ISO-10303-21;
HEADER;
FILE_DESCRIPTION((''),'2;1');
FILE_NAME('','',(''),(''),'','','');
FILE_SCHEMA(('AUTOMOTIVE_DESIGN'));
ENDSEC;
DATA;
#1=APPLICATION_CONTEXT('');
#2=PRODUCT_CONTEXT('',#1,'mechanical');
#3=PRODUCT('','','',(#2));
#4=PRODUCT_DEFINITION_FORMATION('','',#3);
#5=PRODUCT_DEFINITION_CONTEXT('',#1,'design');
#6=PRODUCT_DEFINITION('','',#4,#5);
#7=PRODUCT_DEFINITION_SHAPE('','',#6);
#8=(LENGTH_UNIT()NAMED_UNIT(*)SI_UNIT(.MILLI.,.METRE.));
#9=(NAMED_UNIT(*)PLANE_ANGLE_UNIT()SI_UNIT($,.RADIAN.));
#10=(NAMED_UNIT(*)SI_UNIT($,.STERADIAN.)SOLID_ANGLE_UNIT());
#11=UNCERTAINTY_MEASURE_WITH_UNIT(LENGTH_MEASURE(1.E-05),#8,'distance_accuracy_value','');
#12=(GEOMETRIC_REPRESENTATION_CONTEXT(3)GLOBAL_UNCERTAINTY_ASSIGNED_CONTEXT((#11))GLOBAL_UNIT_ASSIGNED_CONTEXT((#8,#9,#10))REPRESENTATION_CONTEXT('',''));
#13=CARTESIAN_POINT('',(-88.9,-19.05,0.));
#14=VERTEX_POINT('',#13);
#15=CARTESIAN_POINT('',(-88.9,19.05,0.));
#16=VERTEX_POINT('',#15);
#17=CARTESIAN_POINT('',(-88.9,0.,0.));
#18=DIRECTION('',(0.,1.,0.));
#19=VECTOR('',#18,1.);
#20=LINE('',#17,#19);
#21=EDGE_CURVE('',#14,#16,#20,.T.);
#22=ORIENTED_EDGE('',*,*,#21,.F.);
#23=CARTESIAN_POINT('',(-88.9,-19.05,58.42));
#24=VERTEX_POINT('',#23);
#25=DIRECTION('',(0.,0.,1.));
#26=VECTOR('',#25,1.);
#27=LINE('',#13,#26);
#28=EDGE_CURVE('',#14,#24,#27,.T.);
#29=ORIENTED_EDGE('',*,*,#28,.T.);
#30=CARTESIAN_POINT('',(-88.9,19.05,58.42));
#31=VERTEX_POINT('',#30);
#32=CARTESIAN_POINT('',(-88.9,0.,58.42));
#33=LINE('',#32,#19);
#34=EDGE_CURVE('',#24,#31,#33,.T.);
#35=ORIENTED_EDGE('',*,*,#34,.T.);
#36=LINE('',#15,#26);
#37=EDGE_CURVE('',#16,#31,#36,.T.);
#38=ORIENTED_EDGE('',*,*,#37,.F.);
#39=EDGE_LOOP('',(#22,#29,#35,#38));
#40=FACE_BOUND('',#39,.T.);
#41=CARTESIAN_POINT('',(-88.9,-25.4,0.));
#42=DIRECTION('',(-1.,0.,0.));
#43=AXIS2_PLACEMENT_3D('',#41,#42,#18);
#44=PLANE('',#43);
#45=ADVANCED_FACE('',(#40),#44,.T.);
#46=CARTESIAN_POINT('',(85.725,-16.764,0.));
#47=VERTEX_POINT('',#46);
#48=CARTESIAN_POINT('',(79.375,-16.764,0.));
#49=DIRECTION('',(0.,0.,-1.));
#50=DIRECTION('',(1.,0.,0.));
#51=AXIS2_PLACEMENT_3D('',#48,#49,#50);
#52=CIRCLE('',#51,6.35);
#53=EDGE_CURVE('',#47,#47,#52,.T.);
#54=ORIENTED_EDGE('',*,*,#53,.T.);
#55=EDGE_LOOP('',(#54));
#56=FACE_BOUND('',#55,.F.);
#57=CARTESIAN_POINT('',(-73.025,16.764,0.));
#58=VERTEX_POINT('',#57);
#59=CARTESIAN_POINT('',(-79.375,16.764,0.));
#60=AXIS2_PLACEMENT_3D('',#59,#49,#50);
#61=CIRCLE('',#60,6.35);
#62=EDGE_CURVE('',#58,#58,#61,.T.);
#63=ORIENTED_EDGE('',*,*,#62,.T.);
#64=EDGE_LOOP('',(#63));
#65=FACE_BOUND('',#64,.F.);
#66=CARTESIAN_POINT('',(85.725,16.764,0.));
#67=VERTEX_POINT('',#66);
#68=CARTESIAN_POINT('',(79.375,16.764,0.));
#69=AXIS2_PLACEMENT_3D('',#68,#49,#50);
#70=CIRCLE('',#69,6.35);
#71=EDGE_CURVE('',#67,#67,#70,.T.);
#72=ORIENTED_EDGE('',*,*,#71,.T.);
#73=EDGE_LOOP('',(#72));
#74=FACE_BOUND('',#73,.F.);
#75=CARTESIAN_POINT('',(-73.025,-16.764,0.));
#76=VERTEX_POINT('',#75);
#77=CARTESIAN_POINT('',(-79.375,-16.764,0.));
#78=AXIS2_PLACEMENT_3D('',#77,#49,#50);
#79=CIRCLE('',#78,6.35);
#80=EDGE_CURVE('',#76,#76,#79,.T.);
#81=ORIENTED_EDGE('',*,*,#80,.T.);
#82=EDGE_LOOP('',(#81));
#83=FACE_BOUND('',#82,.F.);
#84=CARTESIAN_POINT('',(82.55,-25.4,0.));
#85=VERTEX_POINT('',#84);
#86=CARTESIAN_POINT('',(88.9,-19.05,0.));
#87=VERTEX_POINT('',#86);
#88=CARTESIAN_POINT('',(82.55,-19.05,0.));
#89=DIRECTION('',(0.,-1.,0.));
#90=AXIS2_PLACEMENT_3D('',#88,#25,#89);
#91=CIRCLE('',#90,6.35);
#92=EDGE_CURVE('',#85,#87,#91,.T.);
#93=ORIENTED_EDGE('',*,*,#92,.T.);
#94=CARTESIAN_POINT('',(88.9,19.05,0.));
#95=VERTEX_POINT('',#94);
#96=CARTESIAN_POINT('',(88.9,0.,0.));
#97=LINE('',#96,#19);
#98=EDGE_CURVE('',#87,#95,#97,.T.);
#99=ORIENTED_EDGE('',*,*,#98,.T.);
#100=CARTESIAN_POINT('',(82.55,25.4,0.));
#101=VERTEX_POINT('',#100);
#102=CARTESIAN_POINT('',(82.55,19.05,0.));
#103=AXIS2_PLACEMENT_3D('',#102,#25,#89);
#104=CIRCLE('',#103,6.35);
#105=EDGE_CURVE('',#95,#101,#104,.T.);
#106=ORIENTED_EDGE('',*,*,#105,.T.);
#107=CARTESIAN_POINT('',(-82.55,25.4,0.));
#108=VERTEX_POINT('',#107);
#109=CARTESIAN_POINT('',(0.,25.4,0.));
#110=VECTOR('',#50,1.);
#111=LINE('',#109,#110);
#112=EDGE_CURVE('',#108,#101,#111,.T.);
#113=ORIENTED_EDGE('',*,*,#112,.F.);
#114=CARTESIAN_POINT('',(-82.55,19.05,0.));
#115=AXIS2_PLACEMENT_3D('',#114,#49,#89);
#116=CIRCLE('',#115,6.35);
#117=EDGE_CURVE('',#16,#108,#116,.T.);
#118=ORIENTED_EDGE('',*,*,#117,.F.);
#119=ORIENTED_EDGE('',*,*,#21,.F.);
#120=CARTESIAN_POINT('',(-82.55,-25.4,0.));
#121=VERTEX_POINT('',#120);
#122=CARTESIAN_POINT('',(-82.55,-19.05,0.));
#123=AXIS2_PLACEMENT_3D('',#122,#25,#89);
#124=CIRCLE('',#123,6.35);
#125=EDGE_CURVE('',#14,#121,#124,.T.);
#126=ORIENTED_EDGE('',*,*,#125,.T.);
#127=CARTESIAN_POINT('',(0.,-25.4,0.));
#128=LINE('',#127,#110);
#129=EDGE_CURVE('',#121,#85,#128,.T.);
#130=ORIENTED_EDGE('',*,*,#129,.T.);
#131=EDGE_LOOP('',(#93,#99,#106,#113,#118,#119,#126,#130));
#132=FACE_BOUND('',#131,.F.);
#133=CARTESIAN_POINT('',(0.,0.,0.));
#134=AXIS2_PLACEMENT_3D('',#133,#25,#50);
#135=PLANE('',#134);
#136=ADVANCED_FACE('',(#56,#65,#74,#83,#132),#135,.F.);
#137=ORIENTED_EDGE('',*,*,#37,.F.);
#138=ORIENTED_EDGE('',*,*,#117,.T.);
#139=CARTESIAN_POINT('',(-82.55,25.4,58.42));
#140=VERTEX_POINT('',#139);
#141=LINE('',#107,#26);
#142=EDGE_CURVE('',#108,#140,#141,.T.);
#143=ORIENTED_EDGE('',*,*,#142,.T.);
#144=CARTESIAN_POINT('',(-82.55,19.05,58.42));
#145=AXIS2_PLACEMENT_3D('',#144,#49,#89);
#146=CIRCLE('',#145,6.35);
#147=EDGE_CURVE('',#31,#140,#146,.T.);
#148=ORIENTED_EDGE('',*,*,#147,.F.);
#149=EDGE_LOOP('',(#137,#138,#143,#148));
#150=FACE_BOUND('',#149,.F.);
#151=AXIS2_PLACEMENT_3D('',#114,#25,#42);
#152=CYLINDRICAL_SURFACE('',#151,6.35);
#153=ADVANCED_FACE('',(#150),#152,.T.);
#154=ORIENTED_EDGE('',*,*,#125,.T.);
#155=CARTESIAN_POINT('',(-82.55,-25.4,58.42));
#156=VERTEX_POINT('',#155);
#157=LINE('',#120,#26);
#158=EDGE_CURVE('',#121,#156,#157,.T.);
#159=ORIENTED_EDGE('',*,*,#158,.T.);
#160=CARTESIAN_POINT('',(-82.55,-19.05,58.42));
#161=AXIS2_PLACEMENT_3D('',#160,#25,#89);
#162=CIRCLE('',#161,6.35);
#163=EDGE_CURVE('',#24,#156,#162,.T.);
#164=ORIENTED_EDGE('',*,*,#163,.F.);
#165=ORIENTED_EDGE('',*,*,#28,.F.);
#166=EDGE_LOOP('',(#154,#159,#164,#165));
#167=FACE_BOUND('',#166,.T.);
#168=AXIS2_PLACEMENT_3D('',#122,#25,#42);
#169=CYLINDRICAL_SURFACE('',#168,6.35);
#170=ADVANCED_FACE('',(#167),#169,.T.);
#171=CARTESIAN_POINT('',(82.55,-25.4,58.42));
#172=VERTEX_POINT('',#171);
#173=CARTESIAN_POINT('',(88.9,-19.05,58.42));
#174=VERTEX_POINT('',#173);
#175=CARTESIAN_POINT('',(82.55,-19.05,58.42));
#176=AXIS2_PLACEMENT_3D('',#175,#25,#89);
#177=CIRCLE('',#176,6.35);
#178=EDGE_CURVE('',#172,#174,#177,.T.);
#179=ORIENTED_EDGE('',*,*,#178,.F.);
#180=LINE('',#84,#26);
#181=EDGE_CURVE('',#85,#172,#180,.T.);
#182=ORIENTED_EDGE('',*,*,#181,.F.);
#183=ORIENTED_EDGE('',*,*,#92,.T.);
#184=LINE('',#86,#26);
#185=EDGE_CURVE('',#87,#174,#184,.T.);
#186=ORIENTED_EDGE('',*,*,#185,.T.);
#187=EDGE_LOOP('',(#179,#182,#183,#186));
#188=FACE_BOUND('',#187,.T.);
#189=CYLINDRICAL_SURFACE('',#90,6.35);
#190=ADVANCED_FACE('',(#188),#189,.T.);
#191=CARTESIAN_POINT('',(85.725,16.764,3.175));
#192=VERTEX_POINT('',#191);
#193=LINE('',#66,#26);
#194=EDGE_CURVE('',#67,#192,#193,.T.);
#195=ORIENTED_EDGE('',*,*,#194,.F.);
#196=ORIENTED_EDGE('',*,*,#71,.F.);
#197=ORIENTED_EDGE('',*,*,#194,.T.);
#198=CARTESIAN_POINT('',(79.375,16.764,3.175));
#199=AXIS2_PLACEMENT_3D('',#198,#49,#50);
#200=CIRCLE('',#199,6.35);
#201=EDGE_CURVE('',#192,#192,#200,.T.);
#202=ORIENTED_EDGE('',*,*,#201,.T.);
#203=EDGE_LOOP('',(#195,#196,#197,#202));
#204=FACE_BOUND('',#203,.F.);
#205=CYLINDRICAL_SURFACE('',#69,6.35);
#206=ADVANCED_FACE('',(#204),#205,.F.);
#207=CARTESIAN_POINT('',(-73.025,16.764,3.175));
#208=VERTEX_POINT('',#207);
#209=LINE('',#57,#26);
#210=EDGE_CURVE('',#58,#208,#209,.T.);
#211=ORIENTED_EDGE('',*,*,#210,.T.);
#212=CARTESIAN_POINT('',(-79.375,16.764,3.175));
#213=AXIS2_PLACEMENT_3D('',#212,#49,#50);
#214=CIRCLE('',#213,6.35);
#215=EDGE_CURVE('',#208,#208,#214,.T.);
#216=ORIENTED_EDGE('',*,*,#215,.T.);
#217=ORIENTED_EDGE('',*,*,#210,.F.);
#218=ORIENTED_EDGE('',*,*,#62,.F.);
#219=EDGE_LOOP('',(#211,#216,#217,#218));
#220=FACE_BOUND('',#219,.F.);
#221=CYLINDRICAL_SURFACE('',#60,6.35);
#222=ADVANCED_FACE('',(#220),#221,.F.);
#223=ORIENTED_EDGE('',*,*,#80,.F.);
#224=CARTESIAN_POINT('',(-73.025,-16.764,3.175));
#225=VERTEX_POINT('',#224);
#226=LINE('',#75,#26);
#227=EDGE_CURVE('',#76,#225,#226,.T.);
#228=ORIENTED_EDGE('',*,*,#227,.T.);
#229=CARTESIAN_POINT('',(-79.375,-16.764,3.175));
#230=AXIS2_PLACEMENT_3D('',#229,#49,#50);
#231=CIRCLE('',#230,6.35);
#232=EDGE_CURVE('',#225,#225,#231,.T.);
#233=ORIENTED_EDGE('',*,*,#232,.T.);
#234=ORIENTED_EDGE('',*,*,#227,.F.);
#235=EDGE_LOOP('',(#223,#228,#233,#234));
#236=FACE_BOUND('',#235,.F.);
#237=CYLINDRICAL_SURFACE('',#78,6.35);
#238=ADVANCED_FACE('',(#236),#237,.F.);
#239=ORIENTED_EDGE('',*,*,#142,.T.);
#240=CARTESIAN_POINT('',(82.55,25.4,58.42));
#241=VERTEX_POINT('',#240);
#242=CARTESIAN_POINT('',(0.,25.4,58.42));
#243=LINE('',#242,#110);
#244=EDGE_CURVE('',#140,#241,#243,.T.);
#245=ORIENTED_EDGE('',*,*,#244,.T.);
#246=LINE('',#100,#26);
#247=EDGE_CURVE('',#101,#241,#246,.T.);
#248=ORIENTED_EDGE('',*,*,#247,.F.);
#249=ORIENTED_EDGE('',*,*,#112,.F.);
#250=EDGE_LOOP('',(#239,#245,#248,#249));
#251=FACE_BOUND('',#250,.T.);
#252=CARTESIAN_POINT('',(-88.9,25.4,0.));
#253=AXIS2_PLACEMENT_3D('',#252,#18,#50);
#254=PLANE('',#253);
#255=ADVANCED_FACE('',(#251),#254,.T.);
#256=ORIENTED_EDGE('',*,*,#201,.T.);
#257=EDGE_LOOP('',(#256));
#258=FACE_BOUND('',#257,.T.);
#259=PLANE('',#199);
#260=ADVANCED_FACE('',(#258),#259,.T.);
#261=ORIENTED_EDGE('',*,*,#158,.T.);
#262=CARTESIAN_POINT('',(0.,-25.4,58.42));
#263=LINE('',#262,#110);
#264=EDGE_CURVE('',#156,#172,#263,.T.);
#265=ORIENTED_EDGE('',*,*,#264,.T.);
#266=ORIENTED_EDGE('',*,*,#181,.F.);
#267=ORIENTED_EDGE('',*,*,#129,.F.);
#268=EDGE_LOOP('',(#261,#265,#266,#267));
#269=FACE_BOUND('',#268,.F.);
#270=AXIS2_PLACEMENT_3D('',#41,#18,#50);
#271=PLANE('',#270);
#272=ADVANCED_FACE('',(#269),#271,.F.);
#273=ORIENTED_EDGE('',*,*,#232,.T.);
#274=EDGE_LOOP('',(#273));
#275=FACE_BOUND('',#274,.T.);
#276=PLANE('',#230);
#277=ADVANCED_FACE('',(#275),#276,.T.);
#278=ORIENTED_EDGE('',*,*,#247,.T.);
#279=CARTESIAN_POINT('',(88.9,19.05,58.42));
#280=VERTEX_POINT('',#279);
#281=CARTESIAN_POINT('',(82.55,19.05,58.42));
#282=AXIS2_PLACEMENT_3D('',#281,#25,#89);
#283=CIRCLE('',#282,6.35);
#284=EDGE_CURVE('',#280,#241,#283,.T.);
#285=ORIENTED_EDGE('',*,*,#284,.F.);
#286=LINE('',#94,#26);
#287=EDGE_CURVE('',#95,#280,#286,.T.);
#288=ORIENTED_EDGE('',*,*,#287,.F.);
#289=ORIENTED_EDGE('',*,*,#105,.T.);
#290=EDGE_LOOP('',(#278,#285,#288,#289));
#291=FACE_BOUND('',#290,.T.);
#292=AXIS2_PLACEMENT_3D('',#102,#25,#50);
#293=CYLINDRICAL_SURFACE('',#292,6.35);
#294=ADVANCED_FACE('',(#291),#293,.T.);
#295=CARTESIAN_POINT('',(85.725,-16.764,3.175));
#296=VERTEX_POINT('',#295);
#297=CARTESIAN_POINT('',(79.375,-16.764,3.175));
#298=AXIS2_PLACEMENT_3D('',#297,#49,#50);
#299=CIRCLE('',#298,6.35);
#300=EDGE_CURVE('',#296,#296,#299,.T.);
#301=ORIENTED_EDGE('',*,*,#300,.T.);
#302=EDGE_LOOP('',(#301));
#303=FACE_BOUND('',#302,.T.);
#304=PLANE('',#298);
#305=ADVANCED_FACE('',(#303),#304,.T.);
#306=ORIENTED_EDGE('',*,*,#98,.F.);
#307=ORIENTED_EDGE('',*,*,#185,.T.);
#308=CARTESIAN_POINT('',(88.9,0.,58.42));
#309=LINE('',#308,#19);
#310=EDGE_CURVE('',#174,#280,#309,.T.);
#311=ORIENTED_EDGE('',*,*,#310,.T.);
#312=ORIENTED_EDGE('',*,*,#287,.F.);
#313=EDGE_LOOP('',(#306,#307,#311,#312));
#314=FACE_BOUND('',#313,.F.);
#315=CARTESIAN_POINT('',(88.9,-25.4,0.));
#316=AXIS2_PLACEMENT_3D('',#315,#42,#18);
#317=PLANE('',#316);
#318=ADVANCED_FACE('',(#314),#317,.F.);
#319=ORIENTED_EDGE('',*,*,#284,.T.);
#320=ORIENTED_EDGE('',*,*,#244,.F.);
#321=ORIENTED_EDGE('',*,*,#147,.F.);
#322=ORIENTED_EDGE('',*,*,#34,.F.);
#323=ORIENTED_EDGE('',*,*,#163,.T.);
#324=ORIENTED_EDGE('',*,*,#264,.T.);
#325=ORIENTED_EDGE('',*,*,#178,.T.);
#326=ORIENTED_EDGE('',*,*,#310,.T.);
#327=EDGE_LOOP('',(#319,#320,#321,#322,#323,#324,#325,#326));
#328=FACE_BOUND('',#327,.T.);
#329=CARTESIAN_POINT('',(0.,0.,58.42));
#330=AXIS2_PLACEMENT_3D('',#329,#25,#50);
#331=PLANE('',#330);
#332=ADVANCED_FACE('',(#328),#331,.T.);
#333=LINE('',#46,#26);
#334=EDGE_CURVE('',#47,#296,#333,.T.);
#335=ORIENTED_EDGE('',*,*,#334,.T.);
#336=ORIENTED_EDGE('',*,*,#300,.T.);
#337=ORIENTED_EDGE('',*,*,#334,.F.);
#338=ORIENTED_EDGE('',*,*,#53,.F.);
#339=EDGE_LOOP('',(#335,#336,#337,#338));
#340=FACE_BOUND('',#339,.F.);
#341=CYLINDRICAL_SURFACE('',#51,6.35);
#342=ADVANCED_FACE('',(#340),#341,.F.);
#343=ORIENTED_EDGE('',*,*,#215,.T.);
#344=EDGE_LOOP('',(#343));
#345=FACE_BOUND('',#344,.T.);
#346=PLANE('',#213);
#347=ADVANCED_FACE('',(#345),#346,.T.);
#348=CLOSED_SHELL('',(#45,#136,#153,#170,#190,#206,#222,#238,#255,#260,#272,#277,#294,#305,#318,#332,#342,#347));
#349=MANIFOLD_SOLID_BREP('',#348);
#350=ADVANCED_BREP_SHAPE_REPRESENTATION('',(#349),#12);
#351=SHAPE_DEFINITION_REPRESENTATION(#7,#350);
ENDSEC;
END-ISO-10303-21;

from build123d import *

# Parameters (mm, degrees)
F0_W     = 177.8
F0_H     = 50.8
F1_DEPTH = 58.42
F2_R     = 6.35
F3_R     = 6.35
F4_DEPTH = 3.175


with BuildPart() as f1:
    # F0 (on Top) → F1 (new body)
    with BuildSketch(Plane.XY):
        Rectangle(F0_W, F0_H)
    extrude(amount=F1_DEPTH)

    # F2
    f2_edges = [f1.edges().sort_by_distance(p)[0] for p in [
        (-88.9, 25.4, 29.21),
        (88.9, 25.4, 29.21),
        (88.9, -25.4, 29.21),
        (-88.9, -25.4, 29.21),
    ]]
    fillet(f2_edges, radius=F2_R)

    # F3 (on face) → F4 (cut)
    with BuildSketch(Plane(origin=(0, 0, 0), x_dir=(1, 0, 0), z_dir=(0, 0, -1))):
        with Locations((79.375, 16.764)):
            Circle(F3_R)
        with Locations((79.375, -16.764)):
            Circle(F3_R)
        with Locations((-79.375, 16.764)):
            Circle(F3_R)
        with Locations((-79.375, -16.764)):
            Circle(F3_R)
    extrude(amount=-F4_DEPTH, mode=Mode.SUBTRACT)


solid = f1.part
